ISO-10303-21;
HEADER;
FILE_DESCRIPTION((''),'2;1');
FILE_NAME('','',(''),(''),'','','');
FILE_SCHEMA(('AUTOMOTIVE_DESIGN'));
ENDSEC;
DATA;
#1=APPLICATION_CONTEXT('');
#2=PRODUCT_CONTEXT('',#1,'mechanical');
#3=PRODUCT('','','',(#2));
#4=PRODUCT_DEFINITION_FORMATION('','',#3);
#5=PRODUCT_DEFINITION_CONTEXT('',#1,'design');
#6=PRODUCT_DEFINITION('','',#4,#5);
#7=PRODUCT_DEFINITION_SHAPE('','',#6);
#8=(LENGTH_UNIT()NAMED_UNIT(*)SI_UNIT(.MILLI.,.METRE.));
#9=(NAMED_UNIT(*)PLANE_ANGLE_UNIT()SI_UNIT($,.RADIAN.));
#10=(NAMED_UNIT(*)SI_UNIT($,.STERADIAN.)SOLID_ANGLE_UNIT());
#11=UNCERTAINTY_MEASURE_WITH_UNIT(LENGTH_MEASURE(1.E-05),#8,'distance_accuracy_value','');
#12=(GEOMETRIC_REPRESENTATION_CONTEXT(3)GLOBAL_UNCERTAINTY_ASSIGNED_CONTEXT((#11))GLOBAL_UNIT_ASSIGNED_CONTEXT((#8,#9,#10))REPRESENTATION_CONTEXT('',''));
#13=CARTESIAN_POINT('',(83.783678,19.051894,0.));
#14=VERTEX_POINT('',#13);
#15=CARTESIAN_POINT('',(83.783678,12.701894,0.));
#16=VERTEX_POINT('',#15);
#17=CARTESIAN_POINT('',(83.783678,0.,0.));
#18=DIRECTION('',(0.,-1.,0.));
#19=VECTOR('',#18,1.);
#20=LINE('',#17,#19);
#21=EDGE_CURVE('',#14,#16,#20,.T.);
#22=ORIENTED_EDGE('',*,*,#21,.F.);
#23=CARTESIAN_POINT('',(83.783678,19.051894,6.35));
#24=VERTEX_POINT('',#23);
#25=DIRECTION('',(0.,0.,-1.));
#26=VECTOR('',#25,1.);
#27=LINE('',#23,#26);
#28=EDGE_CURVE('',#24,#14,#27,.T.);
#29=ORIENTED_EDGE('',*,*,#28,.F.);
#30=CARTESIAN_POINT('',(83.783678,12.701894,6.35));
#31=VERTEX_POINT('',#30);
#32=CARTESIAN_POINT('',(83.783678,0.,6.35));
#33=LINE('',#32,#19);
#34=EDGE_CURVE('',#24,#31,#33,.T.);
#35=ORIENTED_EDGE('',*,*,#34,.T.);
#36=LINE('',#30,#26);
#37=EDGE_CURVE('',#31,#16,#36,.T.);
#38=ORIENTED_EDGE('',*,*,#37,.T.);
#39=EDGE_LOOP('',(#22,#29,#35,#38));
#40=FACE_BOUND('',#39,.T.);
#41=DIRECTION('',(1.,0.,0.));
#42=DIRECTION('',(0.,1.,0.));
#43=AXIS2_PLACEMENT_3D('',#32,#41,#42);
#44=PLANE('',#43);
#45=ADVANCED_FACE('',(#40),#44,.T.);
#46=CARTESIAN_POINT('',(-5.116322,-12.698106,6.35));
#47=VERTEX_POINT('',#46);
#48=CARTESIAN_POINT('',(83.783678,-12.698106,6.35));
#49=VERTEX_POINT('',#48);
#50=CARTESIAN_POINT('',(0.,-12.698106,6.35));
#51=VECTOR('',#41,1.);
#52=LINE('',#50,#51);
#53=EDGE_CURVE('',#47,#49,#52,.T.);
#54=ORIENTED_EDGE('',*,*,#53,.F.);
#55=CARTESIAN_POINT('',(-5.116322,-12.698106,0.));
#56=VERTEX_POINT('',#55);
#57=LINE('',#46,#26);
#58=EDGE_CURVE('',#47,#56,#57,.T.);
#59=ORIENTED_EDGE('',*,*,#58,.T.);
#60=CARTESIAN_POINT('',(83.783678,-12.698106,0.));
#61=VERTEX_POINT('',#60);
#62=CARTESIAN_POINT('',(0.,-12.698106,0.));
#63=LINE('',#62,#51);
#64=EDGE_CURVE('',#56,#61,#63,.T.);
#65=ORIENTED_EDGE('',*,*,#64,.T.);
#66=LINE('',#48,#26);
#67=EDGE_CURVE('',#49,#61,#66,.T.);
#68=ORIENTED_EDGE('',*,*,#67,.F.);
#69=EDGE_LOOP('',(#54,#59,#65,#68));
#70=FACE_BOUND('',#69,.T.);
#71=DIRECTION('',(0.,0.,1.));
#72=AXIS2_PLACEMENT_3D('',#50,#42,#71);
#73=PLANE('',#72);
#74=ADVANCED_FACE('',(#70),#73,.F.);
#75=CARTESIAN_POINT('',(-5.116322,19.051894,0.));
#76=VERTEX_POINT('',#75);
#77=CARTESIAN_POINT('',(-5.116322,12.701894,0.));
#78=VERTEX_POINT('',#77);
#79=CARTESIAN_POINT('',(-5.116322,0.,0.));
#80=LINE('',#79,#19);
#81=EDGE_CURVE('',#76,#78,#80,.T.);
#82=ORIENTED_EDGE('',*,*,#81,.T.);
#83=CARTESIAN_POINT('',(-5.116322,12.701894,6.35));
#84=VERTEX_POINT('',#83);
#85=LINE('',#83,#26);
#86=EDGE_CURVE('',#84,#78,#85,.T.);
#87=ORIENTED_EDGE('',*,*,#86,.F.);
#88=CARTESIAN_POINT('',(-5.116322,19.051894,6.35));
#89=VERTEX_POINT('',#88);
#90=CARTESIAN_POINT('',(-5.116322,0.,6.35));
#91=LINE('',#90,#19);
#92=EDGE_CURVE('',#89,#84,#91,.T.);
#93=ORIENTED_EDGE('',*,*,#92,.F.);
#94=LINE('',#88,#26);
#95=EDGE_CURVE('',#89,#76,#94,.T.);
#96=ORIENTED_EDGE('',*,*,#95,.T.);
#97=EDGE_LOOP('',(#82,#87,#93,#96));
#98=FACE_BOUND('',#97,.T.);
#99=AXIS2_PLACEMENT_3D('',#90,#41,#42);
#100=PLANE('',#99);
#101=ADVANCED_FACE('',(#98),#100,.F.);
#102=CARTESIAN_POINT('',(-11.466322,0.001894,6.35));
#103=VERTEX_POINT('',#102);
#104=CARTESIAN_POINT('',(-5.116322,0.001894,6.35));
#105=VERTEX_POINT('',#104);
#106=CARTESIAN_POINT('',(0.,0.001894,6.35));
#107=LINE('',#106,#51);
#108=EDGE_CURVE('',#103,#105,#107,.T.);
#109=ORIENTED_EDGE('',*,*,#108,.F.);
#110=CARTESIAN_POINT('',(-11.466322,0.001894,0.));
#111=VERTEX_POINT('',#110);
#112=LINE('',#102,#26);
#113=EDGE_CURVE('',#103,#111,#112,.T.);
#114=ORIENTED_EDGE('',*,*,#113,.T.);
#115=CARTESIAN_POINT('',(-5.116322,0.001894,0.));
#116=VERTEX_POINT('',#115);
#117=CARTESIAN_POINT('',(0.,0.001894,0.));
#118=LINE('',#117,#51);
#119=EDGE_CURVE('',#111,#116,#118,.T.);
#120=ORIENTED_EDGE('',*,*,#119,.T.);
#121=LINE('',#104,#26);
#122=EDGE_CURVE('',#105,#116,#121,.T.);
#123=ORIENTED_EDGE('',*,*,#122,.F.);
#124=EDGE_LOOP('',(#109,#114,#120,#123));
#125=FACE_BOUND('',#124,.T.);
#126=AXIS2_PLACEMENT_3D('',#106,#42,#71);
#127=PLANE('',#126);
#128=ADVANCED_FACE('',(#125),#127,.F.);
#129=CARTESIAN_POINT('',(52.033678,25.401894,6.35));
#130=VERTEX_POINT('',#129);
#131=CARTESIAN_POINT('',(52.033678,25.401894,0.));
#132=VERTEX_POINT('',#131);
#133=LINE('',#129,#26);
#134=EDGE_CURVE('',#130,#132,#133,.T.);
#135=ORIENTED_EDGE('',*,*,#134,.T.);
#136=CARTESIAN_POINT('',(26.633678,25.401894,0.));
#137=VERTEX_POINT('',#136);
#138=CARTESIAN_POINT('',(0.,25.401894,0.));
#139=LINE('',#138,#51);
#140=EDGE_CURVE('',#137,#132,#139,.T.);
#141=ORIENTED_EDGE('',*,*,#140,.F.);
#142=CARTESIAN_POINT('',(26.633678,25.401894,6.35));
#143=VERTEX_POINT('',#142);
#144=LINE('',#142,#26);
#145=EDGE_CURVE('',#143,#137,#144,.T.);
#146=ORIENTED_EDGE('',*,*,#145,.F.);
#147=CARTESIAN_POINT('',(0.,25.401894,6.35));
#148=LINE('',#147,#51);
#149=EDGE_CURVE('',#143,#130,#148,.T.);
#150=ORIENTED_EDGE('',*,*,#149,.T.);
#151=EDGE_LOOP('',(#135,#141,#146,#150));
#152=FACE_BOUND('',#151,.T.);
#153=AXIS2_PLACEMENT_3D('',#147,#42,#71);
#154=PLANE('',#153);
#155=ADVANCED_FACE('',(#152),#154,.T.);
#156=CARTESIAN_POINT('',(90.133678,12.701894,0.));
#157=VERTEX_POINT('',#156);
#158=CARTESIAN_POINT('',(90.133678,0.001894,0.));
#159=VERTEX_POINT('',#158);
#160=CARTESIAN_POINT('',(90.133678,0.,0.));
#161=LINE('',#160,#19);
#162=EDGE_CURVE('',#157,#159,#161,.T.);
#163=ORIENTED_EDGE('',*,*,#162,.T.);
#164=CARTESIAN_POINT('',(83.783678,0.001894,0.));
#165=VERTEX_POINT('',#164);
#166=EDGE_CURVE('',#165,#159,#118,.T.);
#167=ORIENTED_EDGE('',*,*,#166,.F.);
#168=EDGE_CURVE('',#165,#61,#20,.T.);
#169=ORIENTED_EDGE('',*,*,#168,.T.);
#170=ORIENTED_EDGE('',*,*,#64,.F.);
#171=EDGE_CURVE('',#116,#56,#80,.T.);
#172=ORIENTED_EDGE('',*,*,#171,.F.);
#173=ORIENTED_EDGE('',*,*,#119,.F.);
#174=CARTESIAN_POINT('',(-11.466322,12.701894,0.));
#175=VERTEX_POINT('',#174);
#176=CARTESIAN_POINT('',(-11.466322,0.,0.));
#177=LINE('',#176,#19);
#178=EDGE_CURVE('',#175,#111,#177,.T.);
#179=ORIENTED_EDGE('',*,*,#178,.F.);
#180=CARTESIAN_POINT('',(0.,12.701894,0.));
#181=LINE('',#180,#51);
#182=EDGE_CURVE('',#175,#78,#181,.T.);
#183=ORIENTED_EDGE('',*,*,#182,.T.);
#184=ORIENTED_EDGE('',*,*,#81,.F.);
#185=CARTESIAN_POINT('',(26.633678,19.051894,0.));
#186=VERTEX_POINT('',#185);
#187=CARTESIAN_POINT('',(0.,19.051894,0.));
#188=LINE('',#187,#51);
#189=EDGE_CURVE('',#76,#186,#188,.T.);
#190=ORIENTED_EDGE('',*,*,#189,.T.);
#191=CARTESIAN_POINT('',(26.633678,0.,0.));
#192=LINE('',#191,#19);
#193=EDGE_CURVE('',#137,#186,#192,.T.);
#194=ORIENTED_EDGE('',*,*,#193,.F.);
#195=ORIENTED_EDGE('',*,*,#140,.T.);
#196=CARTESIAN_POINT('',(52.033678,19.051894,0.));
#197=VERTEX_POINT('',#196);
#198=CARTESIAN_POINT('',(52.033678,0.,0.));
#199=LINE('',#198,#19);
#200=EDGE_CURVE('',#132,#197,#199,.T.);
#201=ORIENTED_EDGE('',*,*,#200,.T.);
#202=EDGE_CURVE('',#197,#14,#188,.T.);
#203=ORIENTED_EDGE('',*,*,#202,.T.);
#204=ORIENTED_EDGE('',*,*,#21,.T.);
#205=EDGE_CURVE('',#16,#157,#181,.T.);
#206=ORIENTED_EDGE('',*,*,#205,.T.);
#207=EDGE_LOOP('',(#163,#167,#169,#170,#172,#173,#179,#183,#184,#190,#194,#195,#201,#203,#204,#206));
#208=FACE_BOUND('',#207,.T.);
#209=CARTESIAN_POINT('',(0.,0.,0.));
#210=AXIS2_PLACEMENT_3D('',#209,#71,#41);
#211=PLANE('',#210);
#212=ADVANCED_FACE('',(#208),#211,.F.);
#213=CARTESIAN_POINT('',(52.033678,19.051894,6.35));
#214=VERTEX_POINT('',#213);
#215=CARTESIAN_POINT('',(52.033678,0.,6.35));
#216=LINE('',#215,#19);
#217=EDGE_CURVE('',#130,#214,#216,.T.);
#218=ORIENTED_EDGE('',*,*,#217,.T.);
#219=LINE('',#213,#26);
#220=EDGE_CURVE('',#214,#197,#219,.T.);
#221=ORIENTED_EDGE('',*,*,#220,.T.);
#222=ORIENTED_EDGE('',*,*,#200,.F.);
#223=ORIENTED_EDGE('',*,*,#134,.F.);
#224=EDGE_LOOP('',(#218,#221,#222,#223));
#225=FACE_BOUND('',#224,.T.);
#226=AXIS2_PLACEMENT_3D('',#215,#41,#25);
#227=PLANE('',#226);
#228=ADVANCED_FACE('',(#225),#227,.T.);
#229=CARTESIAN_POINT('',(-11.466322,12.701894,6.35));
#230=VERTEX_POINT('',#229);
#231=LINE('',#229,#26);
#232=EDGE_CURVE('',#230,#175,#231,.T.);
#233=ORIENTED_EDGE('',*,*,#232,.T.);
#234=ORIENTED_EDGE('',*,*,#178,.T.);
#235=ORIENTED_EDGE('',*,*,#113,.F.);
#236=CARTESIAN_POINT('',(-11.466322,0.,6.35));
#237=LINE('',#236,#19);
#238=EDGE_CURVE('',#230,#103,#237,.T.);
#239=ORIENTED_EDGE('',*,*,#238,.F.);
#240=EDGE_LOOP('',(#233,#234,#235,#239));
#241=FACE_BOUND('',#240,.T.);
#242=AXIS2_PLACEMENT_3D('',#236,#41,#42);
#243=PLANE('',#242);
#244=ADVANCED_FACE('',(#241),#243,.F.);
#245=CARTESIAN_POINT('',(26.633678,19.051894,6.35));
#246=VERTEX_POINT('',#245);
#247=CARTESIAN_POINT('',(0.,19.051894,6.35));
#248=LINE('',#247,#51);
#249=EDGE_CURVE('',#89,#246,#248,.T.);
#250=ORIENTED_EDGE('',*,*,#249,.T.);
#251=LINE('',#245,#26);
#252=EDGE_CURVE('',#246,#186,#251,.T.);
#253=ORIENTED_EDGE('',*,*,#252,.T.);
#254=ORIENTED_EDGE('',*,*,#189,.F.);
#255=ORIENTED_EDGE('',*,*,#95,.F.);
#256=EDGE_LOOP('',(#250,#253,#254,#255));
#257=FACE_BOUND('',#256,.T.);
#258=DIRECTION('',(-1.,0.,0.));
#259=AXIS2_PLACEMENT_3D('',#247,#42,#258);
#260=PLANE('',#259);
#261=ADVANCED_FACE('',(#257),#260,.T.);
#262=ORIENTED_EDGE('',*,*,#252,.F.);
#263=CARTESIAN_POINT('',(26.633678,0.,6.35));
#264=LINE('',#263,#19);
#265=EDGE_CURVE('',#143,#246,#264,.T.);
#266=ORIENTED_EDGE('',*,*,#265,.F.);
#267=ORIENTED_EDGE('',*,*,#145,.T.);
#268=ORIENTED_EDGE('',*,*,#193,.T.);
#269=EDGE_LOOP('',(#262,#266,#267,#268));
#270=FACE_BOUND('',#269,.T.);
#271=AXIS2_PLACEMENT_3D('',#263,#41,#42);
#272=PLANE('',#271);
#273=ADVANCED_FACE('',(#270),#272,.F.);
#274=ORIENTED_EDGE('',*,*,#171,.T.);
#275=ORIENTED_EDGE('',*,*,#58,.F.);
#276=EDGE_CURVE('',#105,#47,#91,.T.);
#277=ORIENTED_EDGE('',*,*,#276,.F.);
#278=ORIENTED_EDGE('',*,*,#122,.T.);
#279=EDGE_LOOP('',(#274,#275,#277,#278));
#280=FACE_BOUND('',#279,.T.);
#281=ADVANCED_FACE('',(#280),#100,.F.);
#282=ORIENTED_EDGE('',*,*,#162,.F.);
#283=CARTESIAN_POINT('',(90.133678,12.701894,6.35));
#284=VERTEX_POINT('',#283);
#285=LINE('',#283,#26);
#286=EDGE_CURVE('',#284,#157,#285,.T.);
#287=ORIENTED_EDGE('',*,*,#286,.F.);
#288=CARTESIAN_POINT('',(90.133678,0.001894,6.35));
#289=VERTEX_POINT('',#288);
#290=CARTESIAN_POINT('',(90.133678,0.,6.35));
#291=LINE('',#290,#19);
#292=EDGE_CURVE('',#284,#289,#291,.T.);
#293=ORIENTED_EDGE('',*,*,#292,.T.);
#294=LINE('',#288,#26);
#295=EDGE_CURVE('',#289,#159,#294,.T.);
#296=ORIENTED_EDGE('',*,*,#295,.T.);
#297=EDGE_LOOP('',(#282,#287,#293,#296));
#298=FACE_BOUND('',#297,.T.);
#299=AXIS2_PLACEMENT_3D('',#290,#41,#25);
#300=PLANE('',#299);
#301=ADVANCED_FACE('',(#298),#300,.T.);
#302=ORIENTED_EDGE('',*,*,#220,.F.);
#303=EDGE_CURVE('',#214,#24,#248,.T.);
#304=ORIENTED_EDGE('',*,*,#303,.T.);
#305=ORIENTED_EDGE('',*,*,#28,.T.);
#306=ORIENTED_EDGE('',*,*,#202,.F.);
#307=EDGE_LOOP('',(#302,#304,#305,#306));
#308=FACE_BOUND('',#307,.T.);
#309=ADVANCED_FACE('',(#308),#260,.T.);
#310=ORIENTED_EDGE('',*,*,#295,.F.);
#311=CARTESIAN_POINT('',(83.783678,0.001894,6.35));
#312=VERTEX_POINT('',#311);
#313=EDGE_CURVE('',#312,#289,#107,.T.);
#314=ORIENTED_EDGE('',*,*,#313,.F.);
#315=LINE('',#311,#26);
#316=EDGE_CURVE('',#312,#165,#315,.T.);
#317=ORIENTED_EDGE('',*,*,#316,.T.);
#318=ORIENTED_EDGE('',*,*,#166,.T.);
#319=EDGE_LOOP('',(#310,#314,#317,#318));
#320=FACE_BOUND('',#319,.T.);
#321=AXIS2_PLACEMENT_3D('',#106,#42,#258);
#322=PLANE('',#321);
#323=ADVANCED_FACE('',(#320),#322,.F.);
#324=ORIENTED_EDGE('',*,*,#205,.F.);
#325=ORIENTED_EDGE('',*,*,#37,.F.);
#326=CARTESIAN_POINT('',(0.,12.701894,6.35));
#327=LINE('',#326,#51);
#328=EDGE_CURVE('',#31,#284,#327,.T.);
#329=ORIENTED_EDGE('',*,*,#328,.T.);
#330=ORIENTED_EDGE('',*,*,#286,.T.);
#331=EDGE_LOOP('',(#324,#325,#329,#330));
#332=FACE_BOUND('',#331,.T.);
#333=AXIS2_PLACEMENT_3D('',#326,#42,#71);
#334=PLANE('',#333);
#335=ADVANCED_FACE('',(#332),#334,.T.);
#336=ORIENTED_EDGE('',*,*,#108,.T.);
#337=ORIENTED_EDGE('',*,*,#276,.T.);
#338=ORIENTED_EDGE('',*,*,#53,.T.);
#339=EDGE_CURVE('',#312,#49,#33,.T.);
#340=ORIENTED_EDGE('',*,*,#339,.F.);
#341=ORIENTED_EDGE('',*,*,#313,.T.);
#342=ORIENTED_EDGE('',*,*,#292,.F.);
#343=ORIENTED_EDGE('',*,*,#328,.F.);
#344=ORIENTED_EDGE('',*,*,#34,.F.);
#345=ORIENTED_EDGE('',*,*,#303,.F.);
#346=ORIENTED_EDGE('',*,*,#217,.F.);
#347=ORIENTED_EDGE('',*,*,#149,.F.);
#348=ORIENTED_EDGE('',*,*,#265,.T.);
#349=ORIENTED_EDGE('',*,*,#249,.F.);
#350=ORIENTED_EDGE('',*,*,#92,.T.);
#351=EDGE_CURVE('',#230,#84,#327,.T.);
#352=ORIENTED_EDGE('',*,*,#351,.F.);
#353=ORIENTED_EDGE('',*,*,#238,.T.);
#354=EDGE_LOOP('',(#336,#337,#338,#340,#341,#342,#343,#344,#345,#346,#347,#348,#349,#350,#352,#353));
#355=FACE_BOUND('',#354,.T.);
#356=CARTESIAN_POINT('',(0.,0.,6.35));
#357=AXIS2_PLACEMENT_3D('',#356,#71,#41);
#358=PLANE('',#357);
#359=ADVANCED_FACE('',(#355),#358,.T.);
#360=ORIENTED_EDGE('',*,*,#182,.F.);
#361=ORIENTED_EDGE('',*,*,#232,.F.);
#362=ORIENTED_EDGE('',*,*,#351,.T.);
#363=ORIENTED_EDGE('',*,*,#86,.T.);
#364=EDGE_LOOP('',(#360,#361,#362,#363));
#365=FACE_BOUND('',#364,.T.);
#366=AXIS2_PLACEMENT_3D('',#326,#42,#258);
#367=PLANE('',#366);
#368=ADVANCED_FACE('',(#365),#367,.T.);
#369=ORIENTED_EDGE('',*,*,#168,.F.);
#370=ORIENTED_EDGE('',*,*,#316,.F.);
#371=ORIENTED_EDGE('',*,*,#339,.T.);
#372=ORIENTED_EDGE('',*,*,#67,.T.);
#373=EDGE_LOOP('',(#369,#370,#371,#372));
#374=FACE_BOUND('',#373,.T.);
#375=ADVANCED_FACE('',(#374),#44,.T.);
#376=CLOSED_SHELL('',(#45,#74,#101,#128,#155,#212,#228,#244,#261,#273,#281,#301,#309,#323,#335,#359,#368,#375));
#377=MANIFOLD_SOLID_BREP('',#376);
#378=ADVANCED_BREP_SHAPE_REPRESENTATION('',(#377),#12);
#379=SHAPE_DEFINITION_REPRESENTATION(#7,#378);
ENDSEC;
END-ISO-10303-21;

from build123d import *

# Parameters (mm, degrees)
SKETCH1_W           = 88.9
SKETCH1_H           = 31.75
SKETCH1_W_2         = 25.4
SKETCH1_H_2         = 6.35
SKETCH1_W_3         = 6.35
SKETCH1_H_3         = 12.7
BOSS_EXTRUDE1_DEPTH = 6.35


with BuildPart() as part:
    # Sketch1 → Boss-Extrude1 (new body)
    with BuildSketch(Plane.XY):
        with Locations((39.333678216, 3.176893638)):
            Rectangle(SKETCH1_W, SKETCH1_H)
        with Locations((39.333678216, 22.226893638)):
            Rectangle(SKETCH1_W_2, SKETCH1_H_2)
        Polygon((90.133678216, 0.001893638), (90.133678216, 9.319008236), (90.133678216, 12.701893638), (83.783678216, 12.701893638), (83.783678216, 0.001893638), align=None)
        with Locations((-8.291321784, 6.351893638)):
            Rectangle(SKETCH1_W_3, SKETCH1_H_3)
    extrude(amount=BOSS_EXTRUDE1_DEPTH)


solid = part.part
